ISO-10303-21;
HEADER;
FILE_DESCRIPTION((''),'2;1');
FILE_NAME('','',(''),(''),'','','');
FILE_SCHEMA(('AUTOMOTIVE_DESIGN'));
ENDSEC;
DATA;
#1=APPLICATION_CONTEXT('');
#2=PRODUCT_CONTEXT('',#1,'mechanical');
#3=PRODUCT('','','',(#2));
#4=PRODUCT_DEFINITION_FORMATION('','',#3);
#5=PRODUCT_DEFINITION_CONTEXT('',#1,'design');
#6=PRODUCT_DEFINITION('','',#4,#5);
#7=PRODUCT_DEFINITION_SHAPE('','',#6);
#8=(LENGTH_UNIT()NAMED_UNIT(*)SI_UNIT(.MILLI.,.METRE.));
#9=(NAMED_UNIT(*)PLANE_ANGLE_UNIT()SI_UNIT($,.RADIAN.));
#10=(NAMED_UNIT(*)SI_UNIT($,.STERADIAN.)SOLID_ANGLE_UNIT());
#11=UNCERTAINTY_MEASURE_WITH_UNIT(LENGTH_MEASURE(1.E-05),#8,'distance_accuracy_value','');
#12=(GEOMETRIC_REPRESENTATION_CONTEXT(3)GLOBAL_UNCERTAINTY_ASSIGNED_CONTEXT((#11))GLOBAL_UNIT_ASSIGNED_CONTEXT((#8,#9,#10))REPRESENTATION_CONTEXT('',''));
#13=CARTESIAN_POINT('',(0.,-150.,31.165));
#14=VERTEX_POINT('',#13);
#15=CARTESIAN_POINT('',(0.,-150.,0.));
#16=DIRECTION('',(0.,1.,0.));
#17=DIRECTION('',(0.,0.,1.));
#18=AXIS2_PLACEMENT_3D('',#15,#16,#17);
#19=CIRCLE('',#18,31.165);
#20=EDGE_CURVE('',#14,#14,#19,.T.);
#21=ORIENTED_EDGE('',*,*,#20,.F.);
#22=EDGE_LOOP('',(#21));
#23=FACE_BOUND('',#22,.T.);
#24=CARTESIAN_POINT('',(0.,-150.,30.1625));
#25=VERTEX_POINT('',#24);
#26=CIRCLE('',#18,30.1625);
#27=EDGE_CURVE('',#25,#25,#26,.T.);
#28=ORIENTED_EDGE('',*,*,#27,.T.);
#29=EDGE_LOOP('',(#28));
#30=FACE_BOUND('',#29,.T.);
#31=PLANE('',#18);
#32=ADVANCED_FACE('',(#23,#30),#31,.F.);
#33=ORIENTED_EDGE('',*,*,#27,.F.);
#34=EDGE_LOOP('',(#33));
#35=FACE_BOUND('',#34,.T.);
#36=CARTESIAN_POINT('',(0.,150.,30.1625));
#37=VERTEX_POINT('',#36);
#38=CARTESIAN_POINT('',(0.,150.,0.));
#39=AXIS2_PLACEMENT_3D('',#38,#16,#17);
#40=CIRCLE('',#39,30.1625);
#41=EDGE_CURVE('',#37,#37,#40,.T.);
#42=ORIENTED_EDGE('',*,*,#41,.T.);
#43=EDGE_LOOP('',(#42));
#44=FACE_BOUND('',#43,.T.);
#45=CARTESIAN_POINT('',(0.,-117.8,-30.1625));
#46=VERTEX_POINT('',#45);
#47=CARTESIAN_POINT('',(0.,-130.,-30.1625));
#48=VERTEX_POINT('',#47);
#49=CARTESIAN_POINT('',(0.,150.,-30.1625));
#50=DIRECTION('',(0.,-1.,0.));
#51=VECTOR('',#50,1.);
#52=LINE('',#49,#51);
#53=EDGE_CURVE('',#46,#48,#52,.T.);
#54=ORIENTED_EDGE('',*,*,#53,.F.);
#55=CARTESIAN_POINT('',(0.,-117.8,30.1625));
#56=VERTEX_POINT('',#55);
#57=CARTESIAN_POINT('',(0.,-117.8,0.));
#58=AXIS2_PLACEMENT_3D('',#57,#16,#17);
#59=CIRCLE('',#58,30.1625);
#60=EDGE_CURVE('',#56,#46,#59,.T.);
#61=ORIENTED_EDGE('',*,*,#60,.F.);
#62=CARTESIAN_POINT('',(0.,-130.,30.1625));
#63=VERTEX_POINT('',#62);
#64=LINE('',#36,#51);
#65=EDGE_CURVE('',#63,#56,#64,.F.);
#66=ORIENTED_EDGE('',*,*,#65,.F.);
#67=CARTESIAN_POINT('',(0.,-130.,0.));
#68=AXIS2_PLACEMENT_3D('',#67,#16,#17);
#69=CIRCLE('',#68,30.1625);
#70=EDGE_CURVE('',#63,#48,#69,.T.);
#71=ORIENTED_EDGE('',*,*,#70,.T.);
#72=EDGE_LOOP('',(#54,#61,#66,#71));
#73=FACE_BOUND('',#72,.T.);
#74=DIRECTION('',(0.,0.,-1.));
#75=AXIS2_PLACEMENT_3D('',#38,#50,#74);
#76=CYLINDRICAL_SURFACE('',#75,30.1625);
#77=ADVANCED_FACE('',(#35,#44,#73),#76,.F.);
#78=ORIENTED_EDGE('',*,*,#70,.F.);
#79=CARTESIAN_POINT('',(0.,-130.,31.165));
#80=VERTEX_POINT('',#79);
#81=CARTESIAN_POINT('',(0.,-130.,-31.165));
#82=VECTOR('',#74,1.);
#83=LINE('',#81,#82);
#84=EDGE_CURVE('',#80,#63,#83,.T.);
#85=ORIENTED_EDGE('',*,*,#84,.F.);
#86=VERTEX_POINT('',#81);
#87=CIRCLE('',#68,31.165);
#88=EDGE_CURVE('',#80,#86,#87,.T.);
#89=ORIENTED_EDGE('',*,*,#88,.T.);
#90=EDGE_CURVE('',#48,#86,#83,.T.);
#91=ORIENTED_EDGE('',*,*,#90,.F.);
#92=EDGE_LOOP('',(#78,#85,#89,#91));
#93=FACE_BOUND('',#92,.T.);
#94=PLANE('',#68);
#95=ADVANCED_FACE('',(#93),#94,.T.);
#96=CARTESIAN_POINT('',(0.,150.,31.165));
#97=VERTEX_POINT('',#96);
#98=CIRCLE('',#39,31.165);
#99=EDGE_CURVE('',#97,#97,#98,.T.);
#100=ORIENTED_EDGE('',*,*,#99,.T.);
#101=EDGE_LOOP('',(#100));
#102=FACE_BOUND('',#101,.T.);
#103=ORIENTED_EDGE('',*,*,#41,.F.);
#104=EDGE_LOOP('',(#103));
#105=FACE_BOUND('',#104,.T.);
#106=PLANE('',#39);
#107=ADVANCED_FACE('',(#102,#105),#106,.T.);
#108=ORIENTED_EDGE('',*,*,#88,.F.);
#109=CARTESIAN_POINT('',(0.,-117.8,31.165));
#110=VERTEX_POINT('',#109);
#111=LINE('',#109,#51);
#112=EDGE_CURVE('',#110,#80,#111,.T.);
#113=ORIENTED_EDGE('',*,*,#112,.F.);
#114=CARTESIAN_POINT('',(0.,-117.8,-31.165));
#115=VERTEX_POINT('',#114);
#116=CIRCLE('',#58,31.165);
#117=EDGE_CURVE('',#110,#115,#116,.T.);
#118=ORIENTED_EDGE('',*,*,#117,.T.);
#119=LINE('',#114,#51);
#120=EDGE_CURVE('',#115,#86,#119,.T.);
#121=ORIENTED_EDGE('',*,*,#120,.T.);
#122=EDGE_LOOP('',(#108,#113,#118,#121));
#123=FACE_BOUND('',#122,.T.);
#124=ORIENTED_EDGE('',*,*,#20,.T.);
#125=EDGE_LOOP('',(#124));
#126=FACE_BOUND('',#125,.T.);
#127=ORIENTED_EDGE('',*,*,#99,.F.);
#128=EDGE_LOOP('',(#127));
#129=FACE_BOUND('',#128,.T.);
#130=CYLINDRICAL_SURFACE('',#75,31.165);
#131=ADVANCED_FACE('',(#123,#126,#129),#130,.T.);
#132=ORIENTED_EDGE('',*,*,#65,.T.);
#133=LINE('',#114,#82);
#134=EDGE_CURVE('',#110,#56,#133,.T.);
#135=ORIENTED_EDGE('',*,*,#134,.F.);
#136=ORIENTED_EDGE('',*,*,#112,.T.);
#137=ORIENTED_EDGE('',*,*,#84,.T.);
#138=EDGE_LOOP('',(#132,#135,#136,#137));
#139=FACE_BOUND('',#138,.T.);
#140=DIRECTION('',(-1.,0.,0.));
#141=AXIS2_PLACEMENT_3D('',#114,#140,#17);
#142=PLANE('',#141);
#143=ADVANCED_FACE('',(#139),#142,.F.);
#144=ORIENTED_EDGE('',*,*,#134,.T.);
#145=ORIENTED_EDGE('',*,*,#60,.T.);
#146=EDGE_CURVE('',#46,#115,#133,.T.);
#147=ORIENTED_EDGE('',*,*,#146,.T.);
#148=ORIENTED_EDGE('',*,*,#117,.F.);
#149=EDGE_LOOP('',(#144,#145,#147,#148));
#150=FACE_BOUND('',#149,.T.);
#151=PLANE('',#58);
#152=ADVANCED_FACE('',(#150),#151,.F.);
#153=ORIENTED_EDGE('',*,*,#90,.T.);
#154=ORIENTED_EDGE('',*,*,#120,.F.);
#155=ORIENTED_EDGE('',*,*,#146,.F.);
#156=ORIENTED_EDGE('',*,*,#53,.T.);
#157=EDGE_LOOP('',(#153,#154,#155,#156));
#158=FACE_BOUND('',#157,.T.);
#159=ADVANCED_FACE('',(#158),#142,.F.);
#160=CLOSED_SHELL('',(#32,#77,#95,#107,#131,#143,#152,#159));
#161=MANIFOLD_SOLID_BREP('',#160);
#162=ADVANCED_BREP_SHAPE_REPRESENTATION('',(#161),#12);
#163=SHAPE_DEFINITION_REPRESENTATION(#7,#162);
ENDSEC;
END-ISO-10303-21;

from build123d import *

# Parameters (mm, degrees)
SKETCH1_R           = 31.165
SKETCH1_R_2         = 30.1625
BOSS_EXTRUDE1_DEPTH = 150
SKETCH2_W           = 31.165
SKETCH2_H           = 62.33
SLOT_DEPTH          = 12.2


with BuildPart() as part:
    # Sketch1 → Boss-Extrude1 (new, symmetric)
    with BuildSketch(Plane(origin=(0, 0, 0), x_dir=(1, 0, 0), z_dir=(0, 1, 0))):
        with Locations(Location((0, 0, 0), (0, 0, 270))):
            Circle(SKETCH1_R)
        with Locations(Location((0, 0, 0), (0, 0, 270))):
            Circle(SKETCH1_R_2, mode=Mode.SUBTRACT)
    extrude(amount=BOSS_EXTRUDE1_DEPTH, both=True)

    # Sketch2 → Slot (cut)
    with BuildSketch(Plane(origin=(0, -130, 0), x_dir=(-1, 0, 0), z_dir=(0, -1, 0))):
        with Locations((-15.5825, 0)):
            Rectangle(SKETCH2_W, SKETCH2_H)
    extrude(amount=-SLOT_DEPTH, mode=Mode.SUBTRACT)


solid = part.part
